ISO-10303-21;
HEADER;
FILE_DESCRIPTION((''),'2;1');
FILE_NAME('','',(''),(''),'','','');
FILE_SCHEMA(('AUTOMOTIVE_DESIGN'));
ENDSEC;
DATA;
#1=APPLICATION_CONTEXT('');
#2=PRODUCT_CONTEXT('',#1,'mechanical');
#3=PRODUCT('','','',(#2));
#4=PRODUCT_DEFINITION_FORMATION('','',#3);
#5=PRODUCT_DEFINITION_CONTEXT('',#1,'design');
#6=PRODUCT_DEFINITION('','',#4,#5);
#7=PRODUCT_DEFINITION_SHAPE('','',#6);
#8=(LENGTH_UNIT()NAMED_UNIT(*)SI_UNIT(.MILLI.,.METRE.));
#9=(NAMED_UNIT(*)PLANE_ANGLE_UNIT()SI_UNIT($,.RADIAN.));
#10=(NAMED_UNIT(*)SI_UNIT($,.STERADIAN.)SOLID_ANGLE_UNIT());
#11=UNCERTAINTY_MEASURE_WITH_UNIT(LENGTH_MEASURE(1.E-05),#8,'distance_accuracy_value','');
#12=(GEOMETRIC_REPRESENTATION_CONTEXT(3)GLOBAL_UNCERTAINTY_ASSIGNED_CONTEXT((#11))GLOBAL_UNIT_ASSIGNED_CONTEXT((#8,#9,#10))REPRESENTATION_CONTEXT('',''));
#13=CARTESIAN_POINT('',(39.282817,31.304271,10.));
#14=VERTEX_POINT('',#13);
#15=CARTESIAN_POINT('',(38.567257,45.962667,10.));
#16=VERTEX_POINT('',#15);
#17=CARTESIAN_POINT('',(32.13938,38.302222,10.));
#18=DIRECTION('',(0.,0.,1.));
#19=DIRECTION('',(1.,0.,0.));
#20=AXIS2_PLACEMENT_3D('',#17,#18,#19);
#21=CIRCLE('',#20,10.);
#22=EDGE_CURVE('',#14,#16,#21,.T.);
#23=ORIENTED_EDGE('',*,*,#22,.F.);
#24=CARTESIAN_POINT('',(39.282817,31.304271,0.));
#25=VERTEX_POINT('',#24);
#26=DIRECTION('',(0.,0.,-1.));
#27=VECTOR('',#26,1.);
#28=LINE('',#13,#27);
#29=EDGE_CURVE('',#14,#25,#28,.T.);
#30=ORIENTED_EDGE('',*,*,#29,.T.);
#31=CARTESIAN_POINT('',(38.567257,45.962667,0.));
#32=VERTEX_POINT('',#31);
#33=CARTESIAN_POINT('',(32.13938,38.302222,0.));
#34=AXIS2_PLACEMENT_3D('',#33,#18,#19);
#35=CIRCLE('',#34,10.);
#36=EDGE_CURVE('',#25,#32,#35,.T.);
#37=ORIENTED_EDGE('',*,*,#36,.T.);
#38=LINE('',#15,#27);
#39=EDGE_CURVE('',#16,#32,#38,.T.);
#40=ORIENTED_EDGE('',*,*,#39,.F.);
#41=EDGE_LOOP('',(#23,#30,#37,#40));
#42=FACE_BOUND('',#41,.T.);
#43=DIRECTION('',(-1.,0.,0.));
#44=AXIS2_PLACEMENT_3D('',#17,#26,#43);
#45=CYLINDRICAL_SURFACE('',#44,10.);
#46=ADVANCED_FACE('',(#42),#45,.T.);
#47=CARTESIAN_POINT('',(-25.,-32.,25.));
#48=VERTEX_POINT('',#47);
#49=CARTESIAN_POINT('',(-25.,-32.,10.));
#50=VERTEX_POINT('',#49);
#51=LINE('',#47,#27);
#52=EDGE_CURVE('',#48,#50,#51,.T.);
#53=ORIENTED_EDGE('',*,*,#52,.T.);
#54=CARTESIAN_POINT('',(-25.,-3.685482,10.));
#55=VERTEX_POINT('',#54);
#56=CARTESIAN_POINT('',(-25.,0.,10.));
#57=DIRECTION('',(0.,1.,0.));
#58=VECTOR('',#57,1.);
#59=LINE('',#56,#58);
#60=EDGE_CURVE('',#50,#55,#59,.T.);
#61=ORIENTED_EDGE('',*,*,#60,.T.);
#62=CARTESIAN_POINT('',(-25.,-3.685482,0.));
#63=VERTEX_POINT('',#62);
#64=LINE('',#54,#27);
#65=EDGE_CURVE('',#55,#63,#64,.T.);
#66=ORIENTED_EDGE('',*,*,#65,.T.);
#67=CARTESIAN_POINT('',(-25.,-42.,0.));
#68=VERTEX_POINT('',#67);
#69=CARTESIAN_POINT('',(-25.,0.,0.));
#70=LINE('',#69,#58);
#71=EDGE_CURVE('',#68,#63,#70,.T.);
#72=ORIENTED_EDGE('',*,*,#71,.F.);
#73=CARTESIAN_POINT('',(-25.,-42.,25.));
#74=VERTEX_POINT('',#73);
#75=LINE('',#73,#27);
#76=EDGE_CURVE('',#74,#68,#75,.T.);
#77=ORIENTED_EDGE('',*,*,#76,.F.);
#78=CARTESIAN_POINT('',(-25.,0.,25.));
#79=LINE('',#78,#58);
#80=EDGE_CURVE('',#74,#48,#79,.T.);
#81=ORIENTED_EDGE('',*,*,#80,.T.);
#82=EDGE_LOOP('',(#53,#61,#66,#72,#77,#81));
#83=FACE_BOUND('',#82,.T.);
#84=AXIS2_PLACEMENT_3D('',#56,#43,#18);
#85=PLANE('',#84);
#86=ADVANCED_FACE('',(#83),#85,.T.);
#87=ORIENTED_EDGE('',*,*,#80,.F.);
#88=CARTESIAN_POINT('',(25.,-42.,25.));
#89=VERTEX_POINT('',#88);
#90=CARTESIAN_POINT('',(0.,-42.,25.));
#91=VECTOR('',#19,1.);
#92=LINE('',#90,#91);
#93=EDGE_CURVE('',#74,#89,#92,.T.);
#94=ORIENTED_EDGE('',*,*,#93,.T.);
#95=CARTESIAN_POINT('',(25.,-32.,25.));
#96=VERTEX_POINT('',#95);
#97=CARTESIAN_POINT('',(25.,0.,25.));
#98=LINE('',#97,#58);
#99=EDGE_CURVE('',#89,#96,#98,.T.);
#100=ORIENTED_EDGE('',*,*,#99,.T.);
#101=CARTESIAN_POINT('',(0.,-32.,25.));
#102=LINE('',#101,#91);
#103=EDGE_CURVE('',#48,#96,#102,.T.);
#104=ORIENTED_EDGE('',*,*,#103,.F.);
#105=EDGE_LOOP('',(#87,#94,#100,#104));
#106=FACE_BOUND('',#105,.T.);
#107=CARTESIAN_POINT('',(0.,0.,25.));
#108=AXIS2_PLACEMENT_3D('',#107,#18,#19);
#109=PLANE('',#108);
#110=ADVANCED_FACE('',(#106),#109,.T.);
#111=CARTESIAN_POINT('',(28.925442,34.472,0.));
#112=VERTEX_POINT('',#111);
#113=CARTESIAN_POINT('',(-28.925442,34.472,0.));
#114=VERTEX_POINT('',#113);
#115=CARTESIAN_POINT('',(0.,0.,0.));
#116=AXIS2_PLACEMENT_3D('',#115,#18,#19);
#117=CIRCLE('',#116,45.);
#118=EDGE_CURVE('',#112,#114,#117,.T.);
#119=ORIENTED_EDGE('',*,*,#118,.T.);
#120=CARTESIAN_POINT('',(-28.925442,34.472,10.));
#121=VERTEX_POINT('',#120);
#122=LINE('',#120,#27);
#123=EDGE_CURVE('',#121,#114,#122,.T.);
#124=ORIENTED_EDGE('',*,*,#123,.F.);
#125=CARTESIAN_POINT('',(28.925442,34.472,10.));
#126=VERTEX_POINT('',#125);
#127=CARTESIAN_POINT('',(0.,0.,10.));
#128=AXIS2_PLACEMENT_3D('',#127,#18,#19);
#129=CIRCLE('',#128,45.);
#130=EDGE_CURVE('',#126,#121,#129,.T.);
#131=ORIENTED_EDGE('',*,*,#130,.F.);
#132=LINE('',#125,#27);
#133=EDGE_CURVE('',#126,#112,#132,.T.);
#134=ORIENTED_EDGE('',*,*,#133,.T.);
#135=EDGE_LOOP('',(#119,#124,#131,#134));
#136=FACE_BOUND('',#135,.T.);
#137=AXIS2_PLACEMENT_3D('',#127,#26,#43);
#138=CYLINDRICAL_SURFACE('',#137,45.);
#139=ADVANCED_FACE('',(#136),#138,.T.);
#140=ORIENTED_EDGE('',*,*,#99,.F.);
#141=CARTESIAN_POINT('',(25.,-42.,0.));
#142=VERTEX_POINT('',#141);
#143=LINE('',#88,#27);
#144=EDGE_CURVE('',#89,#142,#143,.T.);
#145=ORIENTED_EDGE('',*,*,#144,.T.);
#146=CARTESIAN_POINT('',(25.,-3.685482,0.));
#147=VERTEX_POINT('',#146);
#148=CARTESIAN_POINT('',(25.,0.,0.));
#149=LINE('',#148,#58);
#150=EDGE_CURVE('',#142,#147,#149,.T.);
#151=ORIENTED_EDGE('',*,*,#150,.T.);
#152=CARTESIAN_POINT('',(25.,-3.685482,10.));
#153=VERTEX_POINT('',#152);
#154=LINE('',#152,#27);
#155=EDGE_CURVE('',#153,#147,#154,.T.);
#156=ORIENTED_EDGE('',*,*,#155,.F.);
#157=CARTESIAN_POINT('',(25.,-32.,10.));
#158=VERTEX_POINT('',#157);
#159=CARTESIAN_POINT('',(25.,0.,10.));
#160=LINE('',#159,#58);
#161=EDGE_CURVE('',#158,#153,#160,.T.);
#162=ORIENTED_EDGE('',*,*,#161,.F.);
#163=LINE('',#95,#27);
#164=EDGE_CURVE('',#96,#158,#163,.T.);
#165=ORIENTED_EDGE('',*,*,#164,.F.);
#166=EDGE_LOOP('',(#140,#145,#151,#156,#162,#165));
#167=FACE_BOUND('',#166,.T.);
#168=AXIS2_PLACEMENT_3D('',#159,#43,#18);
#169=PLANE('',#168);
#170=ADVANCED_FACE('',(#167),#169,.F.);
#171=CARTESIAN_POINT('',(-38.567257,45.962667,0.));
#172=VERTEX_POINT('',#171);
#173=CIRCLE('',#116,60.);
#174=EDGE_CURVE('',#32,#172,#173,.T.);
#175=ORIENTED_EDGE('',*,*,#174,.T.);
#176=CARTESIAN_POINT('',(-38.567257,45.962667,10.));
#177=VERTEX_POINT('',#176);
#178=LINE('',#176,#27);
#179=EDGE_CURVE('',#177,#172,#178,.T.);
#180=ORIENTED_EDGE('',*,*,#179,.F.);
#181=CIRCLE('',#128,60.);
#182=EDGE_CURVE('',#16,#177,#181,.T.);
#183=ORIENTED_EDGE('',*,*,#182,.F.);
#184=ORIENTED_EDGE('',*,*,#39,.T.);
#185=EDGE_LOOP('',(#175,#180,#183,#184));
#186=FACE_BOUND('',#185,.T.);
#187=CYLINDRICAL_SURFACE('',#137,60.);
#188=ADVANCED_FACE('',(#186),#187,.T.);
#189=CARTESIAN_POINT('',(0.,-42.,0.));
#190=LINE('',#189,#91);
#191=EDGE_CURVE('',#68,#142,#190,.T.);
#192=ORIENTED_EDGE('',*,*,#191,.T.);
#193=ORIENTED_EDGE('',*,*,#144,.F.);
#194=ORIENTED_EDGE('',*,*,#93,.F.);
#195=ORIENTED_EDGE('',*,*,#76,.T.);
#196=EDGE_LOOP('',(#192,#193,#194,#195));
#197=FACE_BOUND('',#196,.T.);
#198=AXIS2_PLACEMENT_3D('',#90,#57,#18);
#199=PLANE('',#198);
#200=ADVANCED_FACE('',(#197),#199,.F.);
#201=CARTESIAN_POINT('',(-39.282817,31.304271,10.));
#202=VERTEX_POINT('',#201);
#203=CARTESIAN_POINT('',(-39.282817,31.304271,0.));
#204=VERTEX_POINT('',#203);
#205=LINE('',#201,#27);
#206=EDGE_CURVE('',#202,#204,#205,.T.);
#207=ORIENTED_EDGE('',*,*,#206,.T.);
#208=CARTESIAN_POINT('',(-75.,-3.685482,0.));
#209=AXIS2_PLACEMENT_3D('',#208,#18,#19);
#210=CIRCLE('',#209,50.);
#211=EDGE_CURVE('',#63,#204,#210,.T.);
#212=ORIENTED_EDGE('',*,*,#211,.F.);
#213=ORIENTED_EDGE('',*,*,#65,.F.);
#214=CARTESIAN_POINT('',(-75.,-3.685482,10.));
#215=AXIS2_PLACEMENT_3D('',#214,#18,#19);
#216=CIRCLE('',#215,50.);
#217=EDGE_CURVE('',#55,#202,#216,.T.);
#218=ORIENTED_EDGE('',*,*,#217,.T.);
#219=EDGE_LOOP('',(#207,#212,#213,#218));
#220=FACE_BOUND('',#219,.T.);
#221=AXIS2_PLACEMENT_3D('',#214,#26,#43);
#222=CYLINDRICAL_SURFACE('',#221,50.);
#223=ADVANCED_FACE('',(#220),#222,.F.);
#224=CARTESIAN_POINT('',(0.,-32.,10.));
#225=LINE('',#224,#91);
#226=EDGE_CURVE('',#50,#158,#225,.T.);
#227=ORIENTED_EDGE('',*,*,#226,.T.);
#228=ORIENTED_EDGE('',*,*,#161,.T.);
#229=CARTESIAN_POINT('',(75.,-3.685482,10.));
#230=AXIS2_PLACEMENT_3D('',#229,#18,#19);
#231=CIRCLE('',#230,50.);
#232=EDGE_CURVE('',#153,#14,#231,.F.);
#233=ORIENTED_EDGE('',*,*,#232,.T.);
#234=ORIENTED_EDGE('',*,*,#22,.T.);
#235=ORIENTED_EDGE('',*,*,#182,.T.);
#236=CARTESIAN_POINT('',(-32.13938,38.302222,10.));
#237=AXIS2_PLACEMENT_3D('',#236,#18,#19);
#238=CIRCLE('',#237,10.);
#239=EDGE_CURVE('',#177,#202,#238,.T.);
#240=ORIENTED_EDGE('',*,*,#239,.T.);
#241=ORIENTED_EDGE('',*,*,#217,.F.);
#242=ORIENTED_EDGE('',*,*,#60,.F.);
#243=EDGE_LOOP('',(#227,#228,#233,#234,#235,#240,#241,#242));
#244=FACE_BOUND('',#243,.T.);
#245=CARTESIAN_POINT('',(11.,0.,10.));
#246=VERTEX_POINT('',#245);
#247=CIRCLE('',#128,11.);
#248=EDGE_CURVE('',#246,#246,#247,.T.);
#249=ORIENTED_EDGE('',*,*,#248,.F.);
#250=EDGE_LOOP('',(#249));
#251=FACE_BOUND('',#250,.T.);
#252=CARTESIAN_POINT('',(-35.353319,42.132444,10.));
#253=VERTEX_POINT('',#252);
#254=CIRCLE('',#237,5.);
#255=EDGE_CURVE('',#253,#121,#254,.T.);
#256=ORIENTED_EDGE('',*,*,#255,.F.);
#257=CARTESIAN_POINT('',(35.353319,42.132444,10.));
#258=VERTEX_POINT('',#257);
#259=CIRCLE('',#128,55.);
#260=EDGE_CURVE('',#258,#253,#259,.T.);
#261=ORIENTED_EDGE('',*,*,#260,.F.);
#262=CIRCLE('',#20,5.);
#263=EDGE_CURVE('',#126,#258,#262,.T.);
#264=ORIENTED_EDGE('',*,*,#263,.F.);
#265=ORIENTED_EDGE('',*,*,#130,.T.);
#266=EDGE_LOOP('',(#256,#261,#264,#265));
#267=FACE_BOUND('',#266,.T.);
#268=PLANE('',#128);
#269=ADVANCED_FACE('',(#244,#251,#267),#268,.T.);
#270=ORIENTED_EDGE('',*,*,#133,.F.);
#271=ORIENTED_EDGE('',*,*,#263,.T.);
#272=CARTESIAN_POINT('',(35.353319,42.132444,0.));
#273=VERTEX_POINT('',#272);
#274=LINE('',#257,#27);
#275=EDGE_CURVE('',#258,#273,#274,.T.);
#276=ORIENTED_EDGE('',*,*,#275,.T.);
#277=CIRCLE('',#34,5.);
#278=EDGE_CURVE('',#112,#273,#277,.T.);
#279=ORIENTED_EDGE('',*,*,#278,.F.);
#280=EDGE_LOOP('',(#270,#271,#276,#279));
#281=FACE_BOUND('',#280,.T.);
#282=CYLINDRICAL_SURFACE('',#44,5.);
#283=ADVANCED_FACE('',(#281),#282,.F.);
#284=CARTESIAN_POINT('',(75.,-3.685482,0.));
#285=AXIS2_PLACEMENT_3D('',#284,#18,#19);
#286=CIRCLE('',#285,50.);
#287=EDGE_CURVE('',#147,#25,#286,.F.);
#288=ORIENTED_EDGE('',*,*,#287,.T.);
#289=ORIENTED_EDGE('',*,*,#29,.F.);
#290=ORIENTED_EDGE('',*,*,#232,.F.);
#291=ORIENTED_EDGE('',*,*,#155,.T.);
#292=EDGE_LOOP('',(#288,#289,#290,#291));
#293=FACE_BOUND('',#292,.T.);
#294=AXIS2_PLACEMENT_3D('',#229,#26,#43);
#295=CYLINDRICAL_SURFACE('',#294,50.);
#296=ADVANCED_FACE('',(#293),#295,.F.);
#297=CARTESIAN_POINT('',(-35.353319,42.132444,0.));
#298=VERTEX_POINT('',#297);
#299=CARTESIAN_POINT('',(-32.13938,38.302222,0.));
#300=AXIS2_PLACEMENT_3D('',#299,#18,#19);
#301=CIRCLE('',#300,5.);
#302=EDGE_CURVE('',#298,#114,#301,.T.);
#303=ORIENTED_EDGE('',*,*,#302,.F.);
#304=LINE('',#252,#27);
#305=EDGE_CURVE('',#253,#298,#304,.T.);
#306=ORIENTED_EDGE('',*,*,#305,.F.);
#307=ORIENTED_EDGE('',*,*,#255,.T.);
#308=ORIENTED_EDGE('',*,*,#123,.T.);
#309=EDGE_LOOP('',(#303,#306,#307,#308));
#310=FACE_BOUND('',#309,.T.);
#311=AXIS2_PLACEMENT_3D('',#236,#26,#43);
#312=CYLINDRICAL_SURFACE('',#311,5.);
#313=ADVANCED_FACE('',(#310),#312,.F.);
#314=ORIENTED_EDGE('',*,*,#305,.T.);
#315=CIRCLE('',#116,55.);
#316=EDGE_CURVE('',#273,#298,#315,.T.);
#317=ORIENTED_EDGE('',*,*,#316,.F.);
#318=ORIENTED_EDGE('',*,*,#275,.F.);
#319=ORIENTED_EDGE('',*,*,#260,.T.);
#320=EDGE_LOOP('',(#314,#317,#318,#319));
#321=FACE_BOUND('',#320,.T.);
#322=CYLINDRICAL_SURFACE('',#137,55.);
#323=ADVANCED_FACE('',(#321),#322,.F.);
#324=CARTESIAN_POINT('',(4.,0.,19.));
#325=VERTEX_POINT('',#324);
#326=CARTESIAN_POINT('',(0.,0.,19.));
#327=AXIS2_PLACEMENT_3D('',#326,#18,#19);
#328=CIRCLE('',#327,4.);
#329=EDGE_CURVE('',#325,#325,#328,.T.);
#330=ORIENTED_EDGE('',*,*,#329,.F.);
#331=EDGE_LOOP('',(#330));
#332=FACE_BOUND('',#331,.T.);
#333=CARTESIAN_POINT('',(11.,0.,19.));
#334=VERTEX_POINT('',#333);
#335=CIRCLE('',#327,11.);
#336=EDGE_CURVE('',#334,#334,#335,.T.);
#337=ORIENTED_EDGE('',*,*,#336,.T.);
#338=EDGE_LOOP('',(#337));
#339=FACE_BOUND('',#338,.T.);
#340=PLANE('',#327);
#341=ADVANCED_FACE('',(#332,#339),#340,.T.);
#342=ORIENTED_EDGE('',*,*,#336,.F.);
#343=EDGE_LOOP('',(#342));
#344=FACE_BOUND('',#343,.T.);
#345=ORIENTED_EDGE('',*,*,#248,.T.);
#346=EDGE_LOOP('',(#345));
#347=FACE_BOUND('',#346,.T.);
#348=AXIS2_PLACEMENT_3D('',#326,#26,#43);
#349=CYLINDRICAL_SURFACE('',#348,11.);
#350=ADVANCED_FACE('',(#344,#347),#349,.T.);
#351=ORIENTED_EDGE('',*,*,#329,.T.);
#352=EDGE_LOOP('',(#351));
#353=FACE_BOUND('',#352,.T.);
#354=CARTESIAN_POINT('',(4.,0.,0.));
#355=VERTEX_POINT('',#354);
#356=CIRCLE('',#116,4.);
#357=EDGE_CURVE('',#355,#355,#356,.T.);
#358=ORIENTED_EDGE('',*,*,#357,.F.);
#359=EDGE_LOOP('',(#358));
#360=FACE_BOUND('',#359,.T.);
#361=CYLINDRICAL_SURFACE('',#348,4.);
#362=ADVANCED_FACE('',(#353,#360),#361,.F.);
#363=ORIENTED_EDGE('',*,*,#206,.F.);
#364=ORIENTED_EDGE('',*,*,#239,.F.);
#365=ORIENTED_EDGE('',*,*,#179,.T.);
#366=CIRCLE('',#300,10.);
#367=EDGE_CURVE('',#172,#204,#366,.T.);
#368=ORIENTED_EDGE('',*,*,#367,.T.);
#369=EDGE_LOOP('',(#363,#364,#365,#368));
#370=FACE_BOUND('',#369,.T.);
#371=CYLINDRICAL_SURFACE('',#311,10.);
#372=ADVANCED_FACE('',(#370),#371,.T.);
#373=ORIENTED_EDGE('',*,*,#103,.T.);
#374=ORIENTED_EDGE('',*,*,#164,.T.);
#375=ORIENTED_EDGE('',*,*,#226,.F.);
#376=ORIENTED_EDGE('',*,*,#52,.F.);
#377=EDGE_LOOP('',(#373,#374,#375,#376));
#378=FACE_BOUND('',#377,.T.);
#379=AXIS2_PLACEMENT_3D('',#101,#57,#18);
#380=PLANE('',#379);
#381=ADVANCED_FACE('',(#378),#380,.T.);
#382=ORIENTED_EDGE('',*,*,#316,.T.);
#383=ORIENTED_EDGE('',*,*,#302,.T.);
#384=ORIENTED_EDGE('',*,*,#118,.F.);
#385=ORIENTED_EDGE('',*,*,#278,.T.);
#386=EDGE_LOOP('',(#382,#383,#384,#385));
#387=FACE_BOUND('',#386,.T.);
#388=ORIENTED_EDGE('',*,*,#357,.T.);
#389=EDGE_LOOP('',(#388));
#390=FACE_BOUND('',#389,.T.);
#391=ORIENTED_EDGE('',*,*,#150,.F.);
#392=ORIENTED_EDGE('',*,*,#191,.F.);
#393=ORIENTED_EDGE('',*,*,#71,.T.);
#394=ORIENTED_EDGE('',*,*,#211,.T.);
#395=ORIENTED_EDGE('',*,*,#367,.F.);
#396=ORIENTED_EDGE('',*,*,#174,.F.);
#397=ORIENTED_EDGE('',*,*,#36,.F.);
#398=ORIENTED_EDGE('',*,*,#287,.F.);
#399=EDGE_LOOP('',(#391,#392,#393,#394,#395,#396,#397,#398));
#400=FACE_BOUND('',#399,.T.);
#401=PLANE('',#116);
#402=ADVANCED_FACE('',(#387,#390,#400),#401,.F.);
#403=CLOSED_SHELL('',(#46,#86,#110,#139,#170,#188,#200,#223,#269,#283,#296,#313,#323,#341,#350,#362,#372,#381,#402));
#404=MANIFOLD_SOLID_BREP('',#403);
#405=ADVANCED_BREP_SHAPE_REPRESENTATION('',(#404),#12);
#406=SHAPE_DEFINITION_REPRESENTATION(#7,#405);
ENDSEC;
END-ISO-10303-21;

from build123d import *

# Parameters (mm, degrees)
SKETCH1_R           = 11
BOSS_EXTRUDE1_DEPTH = 10
SKETCH1_3_W         = 50
SKETCH1_3_H         = 10
BOSS_EXTRUDE2_DEPTH = 25
SKETCH1_4_R         = 11
SKETCH1_4_R_2       = 4
BOSS_EXTRUDE3_DEPTH = 19


with BuildPart() as part:
    # Sketch1 → Boss-Extrude1 (new body)
    with BuildSketch(Plane.XY):
        with BuildLine():
            Line((-25, -3.685481934), (-25, -32))
            Line((-25, -32), (25, -32))
            Line((25, -32), (25, -3.685481934))
            ThreePointArc((25, -3.685481934), (28.70821268, 15.210825292), (39.28281707, 31.304271474))
            ThreePointArc((39.28281707, 31.304271474), (42.127486852, 38.789799017), (38.567256581, 45.962666587))
            ThreePointArc((38.567256581, 45.962666587), (0, 60), (-38.567256581, 45.962666587))
            ThreePointArc((-38.567256581, 45.962666587), (-42.127486852, 38.789799017), (-39.28281707, 31.304271474))
            ThreePointArc((-39.28281707, 31.304271474), (-28.70821268, 15.210825292), (-25, -3.685481934))
        make_face()
        Circle(SKETCH1_R, mode=Mode.SUBTRACT)
        with BuildLine():
            ThreePointArc((-28.925442436, 34.47199994), (-35.9696027, 35.088284108), (-35.353318533, 42.132444372))
            ThreePointArc((-35.353318533, 42.132444372), (0, 55), (35.353318533, 42.132444372))
            ThreePointArc((35.353318533, 42.132444372), (35.9696027, 35.088284108), (28.925442436, 34.47199994))
            ThreePointArc((28.925442436, 34.47199994), (0, 45), (-28.925442436, 34.47199994))
        make_face(mode=Mode.SUBTRACT)
    extrude(amount=BOSS_EXTRUDE1_DEPTH)

    # Sketch1<3> → Boss-Extrude2 (add)
    with BuildSketch(Plane.XY):
        with Locations((0, -37)):
            Rectangle(SKETCH1_3_W, SKETCH1_3_H)
    extrude(amount=BOSS_EXTRUDE2_DEPTH)

    # Sketch1<4> → Boss-Extrude3 (add)
    with BuildSketch(Plane.XY):
        Circle(SKETCH1_4_R)
        Circle(SKETCH1_4_R_2, mode=Mode.SUBTRACT)
    extrude(amount=BOSS_EXTRUDE3_DEPTH)


solid = part.part
